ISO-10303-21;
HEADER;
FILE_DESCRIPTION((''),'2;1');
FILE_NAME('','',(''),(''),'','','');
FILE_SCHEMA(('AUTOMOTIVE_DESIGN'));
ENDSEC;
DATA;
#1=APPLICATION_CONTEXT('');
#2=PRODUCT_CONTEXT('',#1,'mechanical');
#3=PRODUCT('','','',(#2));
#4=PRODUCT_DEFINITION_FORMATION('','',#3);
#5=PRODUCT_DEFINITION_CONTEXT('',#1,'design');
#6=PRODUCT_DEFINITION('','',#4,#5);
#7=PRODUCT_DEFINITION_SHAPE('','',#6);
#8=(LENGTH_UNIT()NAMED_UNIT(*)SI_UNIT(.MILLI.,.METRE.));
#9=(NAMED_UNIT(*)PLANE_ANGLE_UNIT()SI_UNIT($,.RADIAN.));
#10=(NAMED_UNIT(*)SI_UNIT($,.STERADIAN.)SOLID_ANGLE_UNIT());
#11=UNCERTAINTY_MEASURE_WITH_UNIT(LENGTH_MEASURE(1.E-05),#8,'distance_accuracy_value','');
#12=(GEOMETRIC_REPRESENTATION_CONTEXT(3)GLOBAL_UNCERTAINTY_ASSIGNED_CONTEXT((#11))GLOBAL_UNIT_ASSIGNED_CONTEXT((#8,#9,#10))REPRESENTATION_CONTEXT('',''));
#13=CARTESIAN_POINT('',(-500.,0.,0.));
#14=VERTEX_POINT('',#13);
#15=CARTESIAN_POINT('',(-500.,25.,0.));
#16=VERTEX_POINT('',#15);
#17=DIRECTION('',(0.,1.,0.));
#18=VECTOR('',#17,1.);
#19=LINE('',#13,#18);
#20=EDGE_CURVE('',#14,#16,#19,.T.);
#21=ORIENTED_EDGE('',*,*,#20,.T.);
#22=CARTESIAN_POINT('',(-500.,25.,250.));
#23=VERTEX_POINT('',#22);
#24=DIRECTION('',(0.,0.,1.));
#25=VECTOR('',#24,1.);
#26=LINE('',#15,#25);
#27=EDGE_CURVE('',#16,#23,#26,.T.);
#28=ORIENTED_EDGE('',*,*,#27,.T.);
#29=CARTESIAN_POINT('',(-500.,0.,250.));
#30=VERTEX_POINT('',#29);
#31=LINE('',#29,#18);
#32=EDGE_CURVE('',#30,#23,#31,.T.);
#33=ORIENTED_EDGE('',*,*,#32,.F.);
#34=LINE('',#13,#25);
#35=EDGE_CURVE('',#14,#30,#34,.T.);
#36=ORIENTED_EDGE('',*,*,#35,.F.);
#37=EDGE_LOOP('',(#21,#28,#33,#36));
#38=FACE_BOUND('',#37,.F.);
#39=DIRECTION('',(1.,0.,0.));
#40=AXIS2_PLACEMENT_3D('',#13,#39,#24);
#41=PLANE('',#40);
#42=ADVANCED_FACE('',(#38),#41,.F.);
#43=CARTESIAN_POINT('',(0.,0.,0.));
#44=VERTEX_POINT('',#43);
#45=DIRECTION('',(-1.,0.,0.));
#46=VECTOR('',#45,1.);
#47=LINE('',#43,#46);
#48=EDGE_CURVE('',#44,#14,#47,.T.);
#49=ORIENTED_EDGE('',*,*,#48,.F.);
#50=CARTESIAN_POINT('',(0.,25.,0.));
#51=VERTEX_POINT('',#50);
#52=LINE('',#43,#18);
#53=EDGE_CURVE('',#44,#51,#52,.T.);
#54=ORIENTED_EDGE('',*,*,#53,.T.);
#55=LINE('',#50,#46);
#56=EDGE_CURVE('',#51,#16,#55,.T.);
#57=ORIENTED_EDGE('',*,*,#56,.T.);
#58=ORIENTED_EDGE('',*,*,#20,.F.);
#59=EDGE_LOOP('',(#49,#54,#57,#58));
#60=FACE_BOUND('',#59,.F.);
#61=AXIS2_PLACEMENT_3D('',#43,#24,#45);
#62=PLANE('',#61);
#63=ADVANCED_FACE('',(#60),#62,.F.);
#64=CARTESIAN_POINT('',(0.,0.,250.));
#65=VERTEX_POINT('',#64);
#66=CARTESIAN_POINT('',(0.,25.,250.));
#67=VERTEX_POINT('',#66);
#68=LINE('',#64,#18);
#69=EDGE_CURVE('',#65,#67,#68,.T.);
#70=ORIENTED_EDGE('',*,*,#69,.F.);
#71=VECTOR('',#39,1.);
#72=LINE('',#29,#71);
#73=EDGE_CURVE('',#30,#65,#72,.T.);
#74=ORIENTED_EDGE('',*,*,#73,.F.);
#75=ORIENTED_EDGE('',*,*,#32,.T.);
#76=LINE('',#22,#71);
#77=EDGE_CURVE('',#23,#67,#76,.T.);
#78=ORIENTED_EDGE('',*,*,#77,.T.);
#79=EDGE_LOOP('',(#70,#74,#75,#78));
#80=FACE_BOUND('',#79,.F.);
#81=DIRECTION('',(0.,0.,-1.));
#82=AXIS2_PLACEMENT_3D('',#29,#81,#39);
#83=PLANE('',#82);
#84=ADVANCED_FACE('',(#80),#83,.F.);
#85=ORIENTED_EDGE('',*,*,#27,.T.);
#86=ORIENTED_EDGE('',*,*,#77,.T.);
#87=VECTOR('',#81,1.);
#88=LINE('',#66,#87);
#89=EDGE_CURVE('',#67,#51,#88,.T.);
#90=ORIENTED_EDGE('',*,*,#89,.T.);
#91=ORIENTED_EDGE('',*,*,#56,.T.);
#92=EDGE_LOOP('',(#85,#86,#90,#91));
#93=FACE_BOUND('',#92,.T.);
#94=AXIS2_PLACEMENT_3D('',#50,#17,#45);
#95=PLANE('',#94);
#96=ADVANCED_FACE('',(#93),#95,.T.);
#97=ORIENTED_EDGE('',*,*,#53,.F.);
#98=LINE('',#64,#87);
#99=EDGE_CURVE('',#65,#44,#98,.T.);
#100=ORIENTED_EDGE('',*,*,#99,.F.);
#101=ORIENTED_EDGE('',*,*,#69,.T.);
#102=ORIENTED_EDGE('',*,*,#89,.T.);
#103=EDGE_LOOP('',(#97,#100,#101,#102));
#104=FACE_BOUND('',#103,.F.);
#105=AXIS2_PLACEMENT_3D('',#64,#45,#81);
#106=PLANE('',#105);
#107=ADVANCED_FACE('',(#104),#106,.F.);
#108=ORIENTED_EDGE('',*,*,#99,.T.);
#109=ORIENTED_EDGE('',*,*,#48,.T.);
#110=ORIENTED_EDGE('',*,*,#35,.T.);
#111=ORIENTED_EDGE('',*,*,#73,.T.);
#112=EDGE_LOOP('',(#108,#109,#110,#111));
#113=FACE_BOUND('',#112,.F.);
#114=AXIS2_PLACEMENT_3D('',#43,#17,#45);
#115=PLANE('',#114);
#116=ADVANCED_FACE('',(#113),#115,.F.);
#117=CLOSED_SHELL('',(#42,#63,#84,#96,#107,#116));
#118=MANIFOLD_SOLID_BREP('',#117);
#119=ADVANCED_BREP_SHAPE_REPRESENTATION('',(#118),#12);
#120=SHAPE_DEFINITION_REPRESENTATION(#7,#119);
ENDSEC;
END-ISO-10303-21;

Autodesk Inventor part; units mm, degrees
ref_plane "YZ Plane" through (0, 0, 0) normal (1, 0, 0) x (0, 1, 0)
ref_plane "XZ Plane" through (0, 0, 0) normal (0, 1, 0) x (-1, 0, 0)
ref_plane "XY Plane" through (0, 0, 0) normal (0, 0, 1) x (1, 0, 0)
sketch "Sketch1" plane through (0, 0, 0) normal (0, 1, 0) x (-1, 0, 0)
  line L0 (0, 0) -> (500, 0)
  line L1 (500, 0) -> (500, 250)
  line L2 (500, 250) -> (0, 250)
  line L3 (0, 250) -> (0, 0)
  dimension "d0" = 500
  dimension "d1" = 250
extrude "Extrusion1" add sketch "Sketch1" along normal blind 25
properties part number "Table" material "Wood (Birch)"
